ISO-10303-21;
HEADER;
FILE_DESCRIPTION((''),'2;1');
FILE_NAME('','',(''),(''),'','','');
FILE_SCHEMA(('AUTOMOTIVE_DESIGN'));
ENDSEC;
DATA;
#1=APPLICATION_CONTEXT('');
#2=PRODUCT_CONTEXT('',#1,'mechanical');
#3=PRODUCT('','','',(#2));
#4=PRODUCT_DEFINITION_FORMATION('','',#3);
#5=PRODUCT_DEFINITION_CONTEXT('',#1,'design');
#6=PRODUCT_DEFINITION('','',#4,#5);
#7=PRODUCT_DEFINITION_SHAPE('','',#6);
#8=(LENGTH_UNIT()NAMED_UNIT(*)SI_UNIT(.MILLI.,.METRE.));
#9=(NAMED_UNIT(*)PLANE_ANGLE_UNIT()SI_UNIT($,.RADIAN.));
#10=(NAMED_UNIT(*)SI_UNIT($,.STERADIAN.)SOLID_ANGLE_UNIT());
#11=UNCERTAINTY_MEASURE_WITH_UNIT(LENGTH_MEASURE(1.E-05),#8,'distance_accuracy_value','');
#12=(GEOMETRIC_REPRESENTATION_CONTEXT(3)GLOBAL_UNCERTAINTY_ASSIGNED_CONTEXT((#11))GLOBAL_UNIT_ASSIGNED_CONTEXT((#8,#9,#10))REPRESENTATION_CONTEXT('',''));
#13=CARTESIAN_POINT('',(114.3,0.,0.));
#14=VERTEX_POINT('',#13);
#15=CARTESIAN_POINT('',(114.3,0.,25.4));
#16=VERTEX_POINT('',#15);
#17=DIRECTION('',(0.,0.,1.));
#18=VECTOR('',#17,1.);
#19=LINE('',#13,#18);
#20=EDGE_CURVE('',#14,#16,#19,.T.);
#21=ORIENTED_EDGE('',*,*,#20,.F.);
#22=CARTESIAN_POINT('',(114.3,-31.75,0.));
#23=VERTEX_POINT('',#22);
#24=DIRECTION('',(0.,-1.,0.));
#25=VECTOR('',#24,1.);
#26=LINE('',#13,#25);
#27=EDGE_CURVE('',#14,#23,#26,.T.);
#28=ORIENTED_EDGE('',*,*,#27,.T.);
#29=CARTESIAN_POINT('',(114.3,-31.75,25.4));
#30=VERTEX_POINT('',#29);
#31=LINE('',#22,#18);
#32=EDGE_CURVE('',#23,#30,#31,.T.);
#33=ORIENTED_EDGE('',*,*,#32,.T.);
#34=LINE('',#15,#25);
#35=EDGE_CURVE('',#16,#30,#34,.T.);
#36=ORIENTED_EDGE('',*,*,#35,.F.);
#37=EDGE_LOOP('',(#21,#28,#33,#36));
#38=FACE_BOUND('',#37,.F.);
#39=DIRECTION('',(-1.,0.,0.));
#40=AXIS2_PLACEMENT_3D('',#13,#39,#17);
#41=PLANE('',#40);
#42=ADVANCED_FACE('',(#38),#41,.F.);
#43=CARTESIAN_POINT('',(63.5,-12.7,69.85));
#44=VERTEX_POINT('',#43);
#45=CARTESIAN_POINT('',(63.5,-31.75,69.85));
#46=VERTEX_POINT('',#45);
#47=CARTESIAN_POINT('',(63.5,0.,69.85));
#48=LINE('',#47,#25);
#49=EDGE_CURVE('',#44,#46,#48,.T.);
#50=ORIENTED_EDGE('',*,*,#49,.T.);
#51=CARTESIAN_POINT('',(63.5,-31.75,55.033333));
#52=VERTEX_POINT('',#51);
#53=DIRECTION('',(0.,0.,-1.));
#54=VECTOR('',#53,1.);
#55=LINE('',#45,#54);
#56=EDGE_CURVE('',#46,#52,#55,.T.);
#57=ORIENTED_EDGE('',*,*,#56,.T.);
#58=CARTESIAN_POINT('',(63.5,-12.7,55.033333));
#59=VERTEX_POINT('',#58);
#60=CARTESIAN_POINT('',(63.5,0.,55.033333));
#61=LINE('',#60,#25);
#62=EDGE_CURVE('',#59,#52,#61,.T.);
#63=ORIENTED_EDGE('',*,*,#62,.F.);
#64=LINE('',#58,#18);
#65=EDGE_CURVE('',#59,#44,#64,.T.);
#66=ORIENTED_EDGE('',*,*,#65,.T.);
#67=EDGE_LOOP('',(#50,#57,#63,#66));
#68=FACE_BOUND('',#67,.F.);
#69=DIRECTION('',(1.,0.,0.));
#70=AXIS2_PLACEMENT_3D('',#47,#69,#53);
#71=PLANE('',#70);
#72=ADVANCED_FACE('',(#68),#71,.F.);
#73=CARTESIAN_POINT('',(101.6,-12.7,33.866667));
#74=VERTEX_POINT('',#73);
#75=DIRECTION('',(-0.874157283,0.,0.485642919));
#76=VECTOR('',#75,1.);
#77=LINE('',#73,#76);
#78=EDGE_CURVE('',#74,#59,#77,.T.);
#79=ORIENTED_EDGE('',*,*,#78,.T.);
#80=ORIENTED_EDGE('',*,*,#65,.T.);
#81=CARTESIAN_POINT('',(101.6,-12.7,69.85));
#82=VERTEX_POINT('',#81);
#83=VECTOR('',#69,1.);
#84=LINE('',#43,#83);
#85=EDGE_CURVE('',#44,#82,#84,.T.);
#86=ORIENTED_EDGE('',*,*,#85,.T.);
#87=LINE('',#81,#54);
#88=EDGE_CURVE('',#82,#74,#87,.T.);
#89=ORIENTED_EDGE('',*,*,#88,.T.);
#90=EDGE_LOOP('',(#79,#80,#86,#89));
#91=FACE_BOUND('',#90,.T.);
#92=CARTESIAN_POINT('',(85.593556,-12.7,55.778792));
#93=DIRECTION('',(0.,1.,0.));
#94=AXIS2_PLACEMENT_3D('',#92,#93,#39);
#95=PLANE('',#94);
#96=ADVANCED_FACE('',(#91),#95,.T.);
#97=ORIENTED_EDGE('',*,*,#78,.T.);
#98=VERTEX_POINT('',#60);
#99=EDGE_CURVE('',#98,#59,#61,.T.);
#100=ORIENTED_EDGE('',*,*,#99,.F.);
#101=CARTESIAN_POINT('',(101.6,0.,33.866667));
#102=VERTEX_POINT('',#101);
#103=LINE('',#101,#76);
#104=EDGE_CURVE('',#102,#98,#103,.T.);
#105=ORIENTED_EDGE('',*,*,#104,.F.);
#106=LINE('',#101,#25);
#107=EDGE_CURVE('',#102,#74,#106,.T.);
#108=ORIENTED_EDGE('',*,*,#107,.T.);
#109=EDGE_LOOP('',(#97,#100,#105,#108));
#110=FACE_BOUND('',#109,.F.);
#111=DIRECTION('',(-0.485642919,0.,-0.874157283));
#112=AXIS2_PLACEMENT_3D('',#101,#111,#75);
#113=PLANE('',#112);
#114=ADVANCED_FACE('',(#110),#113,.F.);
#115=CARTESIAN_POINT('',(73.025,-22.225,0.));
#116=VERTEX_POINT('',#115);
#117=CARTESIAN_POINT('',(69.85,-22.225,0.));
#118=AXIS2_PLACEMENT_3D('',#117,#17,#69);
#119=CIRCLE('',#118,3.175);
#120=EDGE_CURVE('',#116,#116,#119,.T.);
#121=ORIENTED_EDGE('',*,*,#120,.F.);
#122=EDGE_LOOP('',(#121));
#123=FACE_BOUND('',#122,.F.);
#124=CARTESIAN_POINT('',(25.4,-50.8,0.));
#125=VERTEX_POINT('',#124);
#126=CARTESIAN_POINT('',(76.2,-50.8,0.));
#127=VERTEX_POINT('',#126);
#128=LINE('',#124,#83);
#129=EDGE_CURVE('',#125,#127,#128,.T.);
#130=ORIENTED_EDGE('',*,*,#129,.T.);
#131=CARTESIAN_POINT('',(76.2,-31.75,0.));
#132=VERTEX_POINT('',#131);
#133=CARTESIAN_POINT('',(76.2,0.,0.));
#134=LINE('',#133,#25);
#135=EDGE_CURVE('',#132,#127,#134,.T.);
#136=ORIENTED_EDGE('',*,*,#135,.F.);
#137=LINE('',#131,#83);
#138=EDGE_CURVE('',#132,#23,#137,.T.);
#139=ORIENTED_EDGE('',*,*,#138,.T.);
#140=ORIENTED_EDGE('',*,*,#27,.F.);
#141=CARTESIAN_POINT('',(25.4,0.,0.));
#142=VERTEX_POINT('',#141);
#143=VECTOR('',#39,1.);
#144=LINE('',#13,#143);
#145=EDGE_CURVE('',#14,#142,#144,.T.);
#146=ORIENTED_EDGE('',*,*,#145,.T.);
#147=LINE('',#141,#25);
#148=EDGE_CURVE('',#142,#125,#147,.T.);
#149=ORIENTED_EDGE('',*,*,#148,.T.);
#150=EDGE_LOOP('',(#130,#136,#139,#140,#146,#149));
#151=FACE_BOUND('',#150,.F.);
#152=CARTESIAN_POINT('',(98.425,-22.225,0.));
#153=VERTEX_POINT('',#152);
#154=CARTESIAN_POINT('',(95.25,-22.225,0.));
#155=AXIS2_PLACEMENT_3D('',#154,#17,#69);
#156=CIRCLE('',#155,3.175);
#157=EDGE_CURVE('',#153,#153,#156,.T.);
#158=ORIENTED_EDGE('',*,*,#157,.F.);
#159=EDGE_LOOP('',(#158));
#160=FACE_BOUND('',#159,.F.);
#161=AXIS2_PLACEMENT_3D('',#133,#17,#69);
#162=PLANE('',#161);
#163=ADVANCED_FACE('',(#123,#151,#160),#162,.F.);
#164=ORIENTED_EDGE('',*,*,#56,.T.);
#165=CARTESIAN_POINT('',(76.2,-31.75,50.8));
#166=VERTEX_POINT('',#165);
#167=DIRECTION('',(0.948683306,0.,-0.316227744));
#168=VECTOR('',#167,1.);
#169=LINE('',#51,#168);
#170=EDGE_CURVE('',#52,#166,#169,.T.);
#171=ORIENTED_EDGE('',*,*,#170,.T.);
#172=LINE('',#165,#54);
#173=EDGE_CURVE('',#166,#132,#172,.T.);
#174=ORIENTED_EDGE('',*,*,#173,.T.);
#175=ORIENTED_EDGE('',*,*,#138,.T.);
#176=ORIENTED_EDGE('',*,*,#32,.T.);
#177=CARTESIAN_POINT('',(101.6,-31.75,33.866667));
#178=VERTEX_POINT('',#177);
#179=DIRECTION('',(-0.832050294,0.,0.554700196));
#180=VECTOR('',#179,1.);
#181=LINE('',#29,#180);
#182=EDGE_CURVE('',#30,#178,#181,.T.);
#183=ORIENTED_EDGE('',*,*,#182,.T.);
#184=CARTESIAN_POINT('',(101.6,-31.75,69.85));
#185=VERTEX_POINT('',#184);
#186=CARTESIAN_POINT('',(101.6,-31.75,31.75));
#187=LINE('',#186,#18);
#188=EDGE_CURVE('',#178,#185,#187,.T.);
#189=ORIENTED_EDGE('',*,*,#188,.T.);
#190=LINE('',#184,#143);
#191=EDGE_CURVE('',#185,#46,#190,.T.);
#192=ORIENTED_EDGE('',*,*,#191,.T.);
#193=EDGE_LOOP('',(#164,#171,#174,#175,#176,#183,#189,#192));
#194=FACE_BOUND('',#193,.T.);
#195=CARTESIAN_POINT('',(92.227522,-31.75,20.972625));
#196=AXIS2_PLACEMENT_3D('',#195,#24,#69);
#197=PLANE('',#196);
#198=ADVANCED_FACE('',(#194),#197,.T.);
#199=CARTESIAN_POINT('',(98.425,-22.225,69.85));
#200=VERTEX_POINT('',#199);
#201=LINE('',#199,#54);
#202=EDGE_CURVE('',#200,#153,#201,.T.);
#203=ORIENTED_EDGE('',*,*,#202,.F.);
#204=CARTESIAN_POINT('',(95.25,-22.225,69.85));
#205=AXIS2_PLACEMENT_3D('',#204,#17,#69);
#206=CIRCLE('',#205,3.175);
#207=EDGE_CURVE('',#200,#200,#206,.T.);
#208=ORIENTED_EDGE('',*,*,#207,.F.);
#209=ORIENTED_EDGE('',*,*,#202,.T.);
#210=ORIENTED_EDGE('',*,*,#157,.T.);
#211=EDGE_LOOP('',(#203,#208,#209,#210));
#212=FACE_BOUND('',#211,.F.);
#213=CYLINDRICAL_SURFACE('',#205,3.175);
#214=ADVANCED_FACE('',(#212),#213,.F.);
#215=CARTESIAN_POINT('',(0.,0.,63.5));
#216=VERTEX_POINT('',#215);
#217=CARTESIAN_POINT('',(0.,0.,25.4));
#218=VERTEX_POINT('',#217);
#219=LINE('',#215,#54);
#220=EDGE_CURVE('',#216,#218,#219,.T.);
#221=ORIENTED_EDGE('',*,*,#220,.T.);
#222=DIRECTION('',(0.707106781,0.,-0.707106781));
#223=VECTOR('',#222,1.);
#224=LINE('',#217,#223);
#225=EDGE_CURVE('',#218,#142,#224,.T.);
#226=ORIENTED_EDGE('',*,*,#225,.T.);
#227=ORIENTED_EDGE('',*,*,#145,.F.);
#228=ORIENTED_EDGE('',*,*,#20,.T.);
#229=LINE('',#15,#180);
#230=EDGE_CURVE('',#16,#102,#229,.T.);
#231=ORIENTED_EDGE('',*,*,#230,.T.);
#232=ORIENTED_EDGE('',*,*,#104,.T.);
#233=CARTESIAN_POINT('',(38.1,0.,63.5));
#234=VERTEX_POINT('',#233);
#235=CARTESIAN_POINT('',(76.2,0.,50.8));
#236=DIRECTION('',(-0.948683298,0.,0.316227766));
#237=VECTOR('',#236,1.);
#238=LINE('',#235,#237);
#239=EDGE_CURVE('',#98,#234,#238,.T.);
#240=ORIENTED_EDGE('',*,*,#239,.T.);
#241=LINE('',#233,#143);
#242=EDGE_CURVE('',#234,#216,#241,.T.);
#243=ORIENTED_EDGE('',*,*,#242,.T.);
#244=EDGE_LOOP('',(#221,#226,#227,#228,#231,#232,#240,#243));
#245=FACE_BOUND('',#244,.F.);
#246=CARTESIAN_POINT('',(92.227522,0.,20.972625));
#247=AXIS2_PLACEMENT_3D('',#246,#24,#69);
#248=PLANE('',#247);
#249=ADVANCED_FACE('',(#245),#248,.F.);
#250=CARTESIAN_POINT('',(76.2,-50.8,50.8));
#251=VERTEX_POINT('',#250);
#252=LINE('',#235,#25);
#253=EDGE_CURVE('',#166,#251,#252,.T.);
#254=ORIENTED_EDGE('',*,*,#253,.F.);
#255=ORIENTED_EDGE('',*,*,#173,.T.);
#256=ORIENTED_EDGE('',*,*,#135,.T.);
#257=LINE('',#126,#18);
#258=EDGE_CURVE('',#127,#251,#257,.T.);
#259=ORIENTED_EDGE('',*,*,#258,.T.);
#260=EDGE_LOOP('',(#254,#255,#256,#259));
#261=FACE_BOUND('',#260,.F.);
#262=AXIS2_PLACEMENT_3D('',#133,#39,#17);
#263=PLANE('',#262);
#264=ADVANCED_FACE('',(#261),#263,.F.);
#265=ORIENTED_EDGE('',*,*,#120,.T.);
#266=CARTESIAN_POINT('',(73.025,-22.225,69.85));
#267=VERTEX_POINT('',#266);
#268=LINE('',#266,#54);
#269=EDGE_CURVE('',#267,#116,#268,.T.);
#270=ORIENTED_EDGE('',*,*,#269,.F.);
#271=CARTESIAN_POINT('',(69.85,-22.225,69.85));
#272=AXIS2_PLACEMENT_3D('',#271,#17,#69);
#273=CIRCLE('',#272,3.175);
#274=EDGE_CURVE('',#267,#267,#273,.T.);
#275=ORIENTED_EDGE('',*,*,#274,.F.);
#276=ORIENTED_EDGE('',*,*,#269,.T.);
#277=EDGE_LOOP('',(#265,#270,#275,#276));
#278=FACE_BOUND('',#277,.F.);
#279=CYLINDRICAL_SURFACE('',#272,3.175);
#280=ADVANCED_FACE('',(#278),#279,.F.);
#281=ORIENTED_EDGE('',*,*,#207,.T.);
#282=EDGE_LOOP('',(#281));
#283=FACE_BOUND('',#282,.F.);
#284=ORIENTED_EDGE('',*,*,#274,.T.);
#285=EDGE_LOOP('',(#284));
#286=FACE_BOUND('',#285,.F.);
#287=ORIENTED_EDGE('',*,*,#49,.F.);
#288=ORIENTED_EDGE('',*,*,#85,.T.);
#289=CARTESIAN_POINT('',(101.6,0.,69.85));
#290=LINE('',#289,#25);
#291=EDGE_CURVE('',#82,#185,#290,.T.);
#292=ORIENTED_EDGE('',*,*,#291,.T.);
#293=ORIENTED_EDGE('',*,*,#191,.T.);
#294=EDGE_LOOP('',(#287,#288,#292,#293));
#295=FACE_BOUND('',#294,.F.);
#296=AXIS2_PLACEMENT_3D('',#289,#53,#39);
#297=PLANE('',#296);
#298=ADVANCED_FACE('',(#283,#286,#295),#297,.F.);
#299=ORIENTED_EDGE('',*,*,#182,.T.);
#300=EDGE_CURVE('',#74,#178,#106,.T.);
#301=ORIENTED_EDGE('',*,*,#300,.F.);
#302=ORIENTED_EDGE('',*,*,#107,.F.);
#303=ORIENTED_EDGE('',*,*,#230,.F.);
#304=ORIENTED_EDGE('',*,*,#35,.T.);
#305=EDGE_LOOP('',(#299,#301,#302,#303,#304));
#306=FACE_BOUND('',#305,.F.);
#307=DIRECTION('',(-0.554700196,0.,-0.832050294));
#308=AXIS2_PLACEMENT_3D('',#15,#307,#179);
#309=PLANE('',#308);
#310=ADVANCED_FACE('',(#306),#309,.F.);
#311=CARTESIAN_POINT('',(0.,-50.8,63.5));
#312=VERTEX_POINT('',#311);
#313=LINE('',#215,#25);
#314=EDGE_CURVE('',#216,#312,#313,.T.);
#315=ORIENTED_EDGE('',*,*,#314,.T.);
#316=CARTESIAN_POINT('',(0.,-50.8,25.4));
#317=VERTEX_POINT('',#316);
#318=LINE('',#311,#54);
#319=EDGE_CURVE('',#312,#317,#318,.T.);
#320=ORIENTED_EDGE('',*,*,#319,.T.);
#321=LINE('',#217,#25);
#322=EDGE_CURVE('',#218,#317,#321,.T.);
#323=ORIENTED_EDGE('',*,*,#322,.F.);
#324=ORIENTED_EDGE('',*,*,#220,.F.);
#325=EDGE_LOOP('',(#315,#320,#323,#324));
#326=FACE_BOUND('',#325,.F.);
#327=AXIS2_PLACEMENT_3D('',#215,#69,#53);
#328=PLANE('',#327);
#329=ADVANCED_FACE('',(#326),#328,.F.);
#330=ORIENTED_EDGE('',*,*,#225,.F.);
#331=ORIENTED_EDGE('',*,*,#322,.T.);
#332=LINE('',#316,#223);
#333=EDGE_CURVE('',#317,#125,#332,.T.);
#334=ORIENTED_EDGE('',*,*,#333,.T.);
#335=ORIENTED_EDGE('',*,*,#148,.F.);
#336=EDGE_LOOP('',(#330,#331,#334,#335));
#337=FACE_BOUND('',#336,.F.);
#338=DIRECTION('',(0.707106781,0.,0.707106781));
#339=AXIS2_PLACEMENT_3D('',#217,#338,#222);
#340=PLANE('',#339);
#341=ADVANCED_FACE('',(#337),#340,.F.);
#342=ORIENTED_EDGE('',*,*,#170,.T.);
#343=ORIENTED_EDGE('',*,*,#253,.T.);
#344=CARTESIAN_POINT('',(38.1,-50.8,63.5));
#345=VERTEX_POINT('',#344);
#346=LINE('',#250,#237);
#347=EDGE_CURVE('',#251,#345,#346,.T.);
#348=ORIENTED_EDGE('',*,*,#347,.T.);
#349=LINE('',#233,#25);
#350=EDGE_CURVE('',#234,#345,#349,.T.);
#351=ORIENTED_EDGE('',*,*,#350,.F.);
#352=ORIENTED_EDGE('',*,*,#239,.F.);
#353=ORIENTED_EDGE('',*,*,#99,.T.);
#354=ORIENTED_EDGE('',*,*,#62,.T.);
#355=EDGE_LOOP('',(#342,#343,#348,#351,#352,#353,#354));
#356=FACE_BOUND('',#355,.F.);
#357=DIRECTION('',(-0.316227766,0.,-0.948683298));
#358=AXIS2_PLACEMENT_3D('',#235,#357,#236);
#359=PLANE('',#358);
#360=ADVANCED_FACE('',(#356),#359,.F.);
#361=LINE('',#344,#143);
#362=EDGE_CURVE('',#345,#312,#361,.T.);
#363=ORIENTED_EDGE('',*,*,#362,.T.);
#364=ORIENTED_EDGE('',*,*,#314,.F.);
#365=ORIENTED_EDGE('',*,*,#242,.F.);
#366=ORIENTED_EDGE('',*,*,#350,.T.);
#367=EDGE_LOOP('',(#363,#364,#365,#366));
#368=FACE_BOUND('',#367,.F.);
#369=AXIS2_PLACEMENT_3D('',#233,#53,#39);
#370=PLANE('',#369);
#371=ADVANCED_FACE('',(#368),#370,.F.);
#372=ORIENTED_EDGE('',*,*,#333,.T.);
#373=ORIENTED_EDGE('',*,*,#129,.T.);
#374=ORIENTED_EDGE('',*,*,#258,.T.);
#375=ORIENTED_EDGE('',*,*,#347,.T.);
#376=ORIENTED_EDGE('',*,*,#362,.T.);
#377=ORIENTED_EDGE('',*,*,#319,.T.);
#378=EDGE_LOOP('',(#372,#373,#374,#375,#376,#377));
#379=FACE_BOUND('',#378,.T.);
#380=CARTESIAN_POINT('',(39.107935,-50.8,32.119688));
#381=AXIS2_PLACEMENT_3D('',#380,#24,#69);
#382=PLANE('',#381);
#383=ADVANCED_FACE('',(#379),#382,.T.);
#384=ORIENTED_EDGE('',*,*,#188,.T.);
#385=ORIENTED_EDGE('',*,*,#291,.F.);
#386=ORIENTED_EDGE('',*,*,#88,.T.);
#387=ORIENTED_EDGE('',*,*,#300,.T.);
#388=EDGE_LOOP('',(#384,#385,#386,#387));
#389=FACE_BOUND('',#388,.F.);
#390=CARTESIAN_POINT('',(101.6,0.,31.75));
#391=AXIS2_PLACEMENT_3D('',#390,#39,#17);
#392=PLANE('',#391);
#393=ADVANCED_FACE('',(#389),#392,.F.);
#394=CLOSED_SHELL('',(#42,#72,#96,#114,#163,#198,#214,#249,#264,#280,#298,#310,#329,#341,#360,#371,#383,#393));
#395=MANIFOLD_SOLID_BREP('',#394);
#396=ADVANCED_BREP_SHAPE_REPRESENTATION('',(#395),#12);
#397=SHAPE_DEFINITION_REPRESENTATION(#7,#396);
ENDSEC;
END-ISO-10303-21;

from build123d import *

# Parameters (mm, degrees)
F1_DEPTH = 50.8
F3_DEPTH = 31.75
F5_DEPTH = 31.75
F7_DEPTH = 12.7
F8_R     = 3.175
F9_DEPTH = 69.851


with BuildPart() as f1:
    # F0 (on Front) → F1 (new body)
    with BuildSketch(Plane.XZ):
        Polygon((0, 25.4), (25.4, 0), (76.2, 0), (76.2, 50.8), (38.1, 63.5), (0, 63.5), align=None)
    extrude(amount=F1_DEPTH)

    # F2 (on Front) → F3 (join)
    with BuildSketch(Plane.XZ):
        Polygon((63.5, 69.85), (63.5, 55.033333), (76.2, 50.8), (76.2, 31.75), (101.6, 31.75), (101.6, 69.85), align=None)
    extrude(amount=F3_DEPTH)

    # F4 (on Front) → F5 (join)
    with BuildSketch(Plane.XZ):
        Polygon((114.3, 25.4), (76.2, 50.8), (76.2, 0), (114.3, 0), align=None)
    extrude(amount=F5_DEPTH)

    # F6 (on face) → F7 (cut)
    with BuildSketch(Plane(origin=(0, 0, 0), x_dir=(-1, 0, 0), z_dir=(0, 1, 0))):
        Polygon((-101.6, 69.85), (-101.6, 33.866667), (-63.5, 55.033333), (-63.5, 69.85), align=None)
    extrude(amount=-F7_DEPTH, mode=Mode.SUBTRACT)

    # F8 (on face) → F9 (cut, through all)
    with BuildSketch(Plane.XY.offset(69.85)):
        with Locations((69.85, -22.225)):
            Circle(F8_R)
        with Locations((95.25, -22.225)):
            Circle(F8_R)
    extrude(amount=-F9_DEPTH, mode=Mode.SUBTRACT)


solid = f1.part
